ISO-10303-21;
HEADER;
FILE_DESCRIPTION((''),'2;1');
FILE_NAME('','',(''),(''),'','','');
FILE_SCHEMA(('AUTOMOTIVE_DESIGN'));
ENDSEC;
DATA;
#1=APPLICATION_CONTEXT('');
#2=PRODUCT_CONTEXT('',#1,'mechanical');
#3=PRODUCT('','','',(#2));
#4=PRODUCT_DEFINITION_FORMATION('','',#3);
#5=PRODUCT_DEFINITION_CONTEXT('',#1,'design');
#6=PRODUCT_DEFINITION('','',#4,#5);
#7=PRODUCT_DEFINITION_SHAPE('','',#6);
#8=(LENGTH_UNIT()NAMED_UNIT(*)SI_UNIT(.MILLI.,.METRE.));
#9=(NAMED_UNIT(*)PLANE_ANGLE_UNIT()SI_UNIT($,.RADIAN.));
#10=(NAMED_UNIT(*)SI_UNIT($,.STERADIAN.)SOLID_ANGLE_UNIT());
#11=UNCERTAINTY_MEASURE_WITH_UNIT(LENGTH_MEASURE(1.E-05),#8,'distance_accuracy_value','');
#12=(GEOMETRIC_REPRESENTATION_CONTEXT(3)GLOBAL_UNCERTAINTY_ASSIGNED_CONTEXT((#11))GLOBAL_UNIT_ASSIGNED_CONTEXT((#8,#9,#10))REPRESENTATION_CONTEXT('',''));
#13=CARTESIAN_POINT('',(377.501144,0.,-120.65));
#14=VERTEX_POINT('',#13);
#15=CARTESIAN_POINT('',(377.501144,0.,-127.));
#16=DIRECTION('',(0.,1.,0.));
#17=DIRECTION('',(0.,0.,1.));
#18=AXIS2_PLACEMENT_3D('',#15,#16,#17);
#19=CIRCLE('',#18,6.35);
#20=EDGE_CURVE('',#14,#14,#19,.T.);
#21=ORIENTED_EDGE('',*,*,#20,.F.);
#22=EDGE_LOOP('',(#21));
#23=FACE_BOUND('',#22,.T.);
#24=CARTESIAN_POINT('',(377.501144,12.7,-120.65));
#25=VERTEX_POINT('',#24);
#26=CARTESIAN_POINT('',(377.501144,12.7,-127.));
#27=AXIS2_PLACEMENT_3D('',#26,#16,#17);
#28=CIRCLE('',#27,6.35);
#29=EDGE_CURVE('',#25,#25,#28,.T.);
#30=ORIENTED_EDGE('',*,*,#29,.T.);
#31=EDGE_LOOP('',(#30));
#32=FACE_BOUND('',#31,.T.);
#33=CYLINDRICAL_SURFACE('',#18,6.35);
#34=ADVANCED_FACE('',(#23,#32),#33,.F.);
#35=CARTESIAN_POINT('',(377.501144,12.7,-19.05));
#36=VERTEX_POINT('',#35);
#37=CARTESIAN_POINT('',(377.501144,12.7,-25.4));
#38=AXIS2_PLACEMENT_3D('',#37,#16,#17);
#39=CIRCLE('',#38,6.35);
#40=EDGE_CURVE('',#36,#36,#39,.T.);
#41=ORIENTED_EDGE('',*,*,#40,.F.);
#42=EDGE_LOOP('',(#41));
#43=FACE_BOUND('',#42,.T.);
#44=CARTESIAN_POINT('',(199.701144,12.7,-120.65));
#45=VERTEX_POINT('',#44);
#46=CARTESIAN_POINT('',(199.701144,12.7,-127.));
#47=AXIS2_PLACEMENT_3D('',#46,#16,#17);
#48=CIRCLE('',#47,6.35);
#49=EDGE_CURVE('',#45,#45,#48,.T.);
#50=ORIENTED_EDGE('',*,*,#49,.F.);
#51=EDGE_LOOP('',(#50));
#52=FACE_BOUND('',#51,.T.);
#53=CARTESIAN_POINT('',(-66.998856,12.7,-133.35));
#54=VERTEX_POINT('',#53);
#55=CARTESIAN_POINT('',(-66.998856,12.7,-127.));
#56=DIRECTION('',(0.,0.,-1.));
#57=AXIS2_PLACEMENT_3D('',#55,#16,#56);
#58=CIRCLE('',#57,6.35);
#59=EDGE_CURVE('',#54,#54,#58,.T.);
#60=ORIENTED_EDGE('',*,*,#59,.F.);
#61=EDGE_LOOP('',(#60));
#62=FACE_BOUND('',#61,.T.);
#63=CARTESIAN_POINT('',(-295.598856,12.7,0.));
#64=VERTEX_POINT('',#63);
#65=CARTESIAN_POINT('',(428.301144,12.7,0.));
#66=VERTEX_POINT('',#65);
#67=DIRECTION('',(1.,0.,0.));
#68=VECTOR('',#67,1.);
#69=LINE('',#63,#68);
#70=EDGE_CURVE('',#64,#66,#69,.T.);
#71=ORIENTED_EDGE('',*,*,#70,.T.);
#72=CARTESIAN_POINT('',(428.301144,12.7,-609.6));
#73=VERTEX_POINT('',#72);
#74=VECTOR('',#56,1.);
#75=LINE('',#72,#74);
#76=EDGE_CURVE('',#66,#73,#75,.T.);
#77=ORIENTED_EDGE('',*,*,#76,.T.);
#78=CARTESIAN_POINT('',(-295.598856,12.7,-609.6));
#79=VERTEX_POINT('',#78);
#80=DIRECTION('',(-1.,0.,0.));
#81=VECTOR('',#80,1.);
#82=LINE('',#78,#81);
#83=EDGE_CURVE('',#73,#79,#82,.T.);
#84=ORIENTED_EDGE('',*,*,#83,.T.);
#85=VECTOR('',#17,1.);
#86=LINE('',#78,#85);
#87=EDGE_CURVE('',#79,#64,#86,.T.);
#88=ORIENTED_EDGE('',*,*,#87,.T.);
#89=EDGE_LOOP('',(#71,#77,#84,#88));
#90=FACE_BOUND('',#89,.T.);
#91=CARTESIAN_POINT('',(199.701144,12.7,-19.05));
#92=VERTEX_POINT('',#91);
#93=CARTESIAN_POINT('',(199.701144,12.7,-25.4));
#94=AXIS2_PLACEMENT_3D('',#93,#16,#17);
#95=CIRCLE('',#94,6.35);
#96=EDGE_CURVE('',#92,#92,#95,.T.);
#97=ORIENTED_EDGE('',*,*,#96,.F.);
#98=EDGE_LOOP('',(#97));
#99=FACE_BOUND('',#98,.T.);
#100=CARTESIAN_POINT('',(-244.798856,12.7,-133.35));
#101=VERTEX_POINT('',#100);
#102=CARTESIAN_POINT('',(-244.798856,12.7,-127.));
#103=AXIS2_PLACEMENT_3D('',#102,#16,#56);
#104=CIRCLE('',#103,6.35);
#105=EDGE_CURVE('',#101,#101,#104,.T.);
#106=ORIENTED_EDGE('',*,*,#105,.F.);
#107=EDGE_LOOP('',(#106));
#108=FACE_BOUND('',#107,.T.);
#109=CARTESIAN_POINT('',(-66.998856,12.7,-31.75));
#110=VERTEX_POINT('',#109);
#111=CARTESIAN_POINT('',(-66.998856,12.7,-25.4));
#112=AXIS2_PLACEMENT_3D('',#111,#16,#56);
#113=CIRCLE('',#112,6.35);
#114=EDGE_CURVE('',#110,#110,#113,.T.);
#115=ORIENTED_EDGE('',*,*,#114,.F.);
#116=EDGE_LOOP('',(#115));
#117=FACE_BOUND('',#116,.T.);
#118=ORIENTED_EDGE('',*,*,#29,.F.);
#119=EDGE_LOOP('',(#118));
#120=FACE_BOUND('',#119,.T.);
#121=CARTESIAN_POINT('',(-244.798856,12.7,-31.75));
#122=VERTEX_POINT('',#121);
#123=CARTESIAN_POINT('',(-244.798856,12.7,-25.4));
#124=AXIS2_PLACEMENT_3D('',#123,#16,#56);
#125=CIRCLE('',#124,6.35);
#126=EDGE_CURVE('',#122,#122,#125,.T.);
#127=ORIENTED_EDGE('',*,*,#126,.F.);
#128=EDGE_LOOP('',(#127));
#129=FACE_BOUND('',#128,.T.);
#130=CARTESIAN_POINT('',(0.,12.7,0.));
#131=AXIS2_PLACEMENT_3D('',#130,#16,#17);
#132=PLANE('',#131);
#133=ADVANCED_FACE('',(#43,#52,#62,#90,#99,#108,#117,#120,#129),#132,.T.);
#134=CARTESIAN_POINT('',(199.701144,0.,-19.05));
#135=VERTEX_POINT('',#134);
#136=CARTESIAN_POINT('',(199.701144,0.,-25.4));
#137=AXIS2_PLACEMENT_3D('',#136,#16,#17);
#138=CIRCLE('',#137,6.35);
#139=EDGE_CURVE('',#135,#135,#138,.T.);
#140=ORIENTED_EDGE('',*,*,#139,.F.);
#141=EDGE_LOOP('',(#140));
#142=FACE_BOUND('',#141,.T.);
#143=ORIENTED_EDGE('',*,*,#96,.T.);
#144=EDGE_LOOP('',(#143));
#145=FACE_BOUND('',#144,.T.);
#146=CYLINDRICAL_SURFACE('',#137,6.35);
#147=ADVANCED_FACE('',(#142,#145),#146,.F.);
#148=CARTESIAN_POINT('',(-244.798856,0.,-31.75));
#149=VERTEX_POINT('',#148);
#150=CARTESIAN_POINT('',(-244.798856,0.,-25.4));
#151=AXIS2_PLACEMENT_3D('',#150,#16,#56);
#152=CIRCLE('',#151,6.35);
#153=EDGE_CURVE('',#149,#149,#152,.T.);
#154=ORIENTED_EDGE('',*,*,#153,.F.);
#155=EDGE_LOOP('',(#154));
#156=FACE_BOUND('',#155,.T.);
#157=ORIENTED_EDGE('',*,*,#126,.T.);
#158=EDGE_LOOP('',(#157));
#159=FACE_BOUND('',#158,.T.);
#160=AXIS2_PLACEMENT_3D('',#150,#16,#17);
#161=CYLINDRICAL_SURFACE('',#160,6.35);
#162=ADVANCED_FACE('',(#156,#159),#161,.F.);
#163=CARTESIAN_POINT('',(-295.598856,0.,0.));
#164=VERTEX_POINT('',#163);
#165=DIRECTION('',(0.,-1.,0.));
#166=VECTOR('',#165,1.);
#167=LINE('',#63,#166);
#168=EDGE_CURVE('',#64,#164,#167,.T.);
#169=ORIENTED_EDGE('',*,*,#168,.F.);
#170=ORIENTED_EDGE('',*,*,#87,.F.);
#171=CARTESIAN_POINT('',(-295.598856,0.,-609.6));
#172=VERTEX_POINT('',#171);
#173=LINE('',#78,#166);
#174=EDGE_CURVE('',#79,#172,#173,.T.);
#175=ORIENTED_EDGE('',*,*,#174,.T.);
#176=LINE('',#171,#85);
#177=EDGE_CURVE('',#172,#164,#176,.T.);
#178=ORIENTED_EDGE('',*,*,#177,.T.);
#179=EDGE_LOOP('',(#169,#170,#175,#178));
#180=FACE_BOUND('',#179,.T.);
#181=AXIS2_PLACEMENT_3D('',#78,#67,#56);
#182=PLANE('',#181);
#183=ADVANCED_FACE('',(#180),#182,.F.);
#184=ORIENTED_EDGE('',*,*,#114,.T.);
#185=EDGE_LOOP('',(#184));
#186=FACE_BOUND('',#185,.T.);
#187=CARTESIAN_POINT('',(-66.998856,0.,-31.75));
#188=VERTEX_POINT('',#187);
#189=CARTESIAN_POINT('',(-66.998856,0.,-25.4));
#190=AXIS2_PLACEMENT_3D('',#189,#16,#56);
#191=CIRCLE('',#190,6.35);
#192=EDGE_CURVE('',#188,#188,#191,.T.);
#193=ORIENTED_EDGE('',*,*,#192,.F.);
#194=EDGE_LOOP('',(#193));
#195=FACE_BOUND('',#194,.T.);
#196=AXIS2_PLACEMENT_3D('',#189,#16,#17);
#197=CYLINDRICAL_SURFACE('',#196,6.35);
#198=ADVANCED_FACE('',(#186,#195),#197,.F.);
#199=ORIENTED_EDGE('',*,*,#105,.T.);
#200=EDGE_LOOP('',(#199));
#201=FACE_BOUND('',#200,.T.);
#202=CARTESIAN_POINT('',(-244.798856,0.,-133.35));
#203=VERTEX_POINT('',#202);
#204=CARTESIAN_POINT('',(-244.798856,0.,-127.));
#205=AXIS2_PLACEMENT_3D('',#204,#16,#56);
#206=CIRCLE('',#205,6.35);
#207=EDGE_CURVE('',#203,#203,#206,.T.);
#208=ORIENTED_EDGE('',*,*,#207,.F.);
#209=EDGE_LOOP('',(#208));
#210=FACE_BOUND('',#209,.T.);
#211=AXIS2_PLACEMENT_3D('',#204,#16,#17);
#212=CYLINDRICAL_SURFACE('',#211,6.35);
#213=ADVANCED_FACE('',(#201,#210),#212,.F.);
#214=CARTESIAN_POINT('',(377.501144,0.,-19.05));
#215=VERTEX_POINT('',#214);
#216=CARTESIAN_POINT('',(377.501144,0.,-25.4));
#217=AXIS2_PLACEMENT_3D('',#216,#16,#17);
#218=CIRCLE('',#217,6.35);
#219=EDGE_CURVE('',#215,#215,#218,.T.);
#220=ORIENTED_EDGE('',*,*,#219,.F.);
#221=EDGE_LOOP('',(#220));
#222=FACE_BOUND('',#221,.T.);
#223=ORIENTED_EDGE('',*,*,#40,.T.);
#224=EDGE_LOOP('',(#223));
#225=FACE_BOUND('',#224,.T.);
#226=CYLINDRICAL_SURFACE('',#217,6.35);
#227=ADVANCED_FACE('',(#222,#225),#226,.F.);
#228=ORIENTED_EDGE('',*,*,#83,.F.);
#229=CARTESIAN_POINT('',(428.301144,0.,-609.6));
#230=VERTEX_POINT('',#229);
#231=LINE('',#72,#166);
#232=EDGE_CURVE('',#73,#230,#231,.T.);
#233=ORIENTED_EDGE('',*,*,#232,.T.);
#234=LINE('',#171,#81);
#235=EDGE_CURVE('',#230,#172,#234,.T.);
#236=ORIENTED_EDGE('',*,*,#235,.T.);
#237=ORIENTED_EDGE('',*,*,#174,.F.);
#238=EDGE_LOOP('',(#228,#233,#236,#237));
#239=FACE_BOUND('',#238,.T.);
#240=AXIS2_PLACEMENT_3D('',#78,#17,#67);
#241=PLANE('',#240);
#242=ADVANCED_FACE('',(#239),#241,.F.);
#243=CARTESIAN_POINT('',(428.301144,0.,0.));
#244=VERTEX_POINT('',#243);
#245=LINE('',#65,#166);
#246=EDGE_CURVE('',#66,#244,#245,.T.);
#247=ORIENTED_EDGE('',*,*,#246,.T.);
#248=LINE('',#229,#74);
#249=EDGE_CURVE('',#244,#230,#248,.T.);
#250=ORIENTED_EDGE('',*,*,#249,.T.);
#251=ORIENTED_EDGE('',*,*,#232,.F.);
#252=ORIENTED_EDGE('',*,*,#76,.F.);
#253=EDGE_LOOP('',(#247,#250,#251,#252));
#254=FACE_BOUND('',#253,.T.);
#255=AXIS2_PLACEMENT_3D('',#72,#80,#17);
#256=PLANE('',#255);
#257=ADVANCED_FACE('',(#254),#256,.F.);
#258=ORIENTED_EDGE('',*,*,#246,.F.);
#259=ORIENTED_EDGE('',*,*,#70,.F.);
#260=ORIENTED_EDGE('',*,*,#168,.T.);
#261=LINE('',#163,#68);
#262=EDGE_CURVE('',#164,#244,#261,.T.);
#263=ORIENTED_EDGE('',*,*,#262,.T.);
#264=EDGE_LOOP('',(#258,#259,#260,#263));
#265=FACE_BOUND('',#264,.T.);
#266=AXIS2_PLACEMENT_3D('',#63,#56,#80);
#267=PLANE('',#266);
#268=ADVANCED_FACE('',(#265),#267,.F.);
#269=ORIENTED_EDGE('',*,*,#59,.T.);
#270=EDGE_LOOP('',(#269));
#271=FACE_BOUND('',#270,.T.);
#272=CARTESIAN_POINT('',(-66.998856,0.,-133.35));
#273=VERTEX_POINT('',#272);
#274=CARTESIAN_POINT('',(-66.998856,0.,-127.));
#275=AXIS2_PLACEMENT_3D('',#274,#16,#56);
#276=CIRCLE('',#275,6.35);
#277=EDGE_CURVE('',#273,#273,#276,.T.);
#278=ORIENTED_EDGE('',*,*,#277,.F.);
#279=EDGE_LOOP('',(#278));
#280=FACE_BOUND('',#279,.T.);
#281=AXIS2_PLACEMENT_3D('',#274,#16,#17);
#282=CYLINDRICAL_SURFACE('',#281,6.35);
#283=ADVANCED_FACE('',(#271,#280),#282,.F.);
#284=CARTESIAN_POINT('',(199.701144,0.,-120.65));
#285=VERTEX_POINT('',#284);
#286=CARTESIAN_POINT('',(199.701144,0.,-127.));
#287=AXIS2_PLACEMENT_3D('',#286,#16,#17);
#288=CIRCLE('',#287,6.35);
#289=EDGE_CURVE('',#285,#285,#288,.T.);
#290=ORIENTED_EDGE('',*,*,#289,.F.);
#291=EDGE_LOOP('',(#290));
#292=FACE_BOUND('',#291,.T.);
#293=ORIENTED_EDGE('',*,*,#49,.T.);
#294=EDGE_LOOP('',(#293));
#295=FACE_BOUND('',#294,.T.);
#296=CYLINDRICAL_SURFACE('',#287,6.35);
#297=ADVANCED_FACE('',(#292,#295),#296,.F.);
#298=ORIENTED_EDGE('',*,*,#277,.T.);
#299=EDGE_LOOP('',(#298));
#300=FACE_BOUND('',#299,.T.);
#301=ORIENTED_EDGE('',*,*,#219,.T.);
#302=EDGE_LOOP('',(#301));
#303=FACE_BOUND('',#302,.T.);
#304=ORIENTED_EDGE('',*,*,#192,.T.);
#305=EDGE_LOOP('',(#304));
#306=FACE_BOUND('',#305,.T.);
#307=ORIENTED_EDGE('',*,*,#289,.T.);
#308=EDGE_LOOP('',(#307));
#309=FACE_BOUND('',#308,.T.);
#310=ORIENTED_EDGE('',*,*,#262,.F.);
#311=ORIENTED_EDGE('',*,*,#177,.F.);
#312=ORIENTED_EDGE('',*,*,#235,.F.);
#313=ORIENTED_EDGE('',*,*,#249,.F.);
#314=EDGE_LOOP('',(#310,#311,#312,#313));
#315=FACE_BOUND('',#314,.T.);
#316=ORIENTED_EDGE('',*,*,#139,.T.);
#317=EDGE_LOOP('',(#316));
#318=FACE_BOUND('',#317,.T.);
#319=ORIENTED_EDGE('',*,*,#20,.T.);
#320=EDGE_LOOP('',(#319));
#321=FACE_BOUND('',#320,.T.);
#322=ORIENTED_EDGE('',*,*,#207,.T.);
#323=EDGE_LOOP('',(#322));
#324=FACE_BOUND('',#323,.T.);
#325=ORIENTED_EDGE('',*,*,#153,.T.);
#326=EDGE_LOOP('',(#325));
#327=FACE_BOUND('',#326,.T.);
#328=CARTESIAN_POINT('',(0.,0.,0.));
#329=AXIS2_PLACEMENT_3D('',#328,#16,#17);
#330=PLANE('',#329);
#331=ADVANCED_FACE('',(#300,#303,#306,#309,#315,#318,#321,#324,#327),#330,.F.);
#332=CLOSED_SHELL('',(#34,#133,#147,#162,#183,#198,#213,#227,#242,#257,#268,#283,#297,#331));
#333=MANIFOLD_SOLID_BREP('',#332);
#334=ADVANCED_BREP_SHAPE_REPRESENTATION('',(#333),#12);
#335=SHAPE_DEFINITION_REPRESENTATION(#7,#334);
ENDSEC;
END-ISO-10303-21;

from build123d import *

# Parameters (mm, degrees)
SKETCH1_W           = 723.9
SKETCH1_H           = 609.6
BOSS_EXTRUDE1_DEPTH = 12.7
SKETCH2_R           = 6.35
CUT_EXTRUDE1_DEPTH  = 13.7


with BuildPart() as part:
    # Sketch1 → Boss-Extrude1 (new body)
    with BuildSketch(Plane(origin=(0, 0, 0), x_dir=(1, 0, 0), z_dir=(0, 1, 0))):
        with Locations((66.351143947, 304.8)):
            Rectangle(SKETCH1_W, SKETCH1_H)
    extrude(amount=BOSS_EXTRUDE1_DEPTH)

    # Sketch2 → Cut-Extrude1 (cut, through all)
    with BuildSketch(Plane(origin=(0, 12.7, 0), x_dir=(1, 0, 0), z_dir=(0, 1, 0))):
        with Locations((377.501143947, 127)):
            Circle(SKETCH2_R)
        with Locations((377.501143947, 25.4)):
            Circle(SKETCH2_R)
        with Locations((199.701143947, 127)):
            Circle(SKETCH2_R)
        with Locations((199.701143947, 25.4)):
            Circle(SKETCH2_R)
        with Locations((-244.798856053, 127)):
            Circle(SKETCH2_R)
        with Locations((-66.998856053, 127)):
            Circle(SKETCH2_R)
        with Locations((-244.798856053, 25.4)):
            Circle(SKETCH2_R)
        with Locations((-66.998856053, 25.4)):
            Circle(SKETCH2_R)
    extrude(amount=-CUT_EXTRUDE1_DEPTH, mode=Mode.SUBTRACT)


solid = part.part
